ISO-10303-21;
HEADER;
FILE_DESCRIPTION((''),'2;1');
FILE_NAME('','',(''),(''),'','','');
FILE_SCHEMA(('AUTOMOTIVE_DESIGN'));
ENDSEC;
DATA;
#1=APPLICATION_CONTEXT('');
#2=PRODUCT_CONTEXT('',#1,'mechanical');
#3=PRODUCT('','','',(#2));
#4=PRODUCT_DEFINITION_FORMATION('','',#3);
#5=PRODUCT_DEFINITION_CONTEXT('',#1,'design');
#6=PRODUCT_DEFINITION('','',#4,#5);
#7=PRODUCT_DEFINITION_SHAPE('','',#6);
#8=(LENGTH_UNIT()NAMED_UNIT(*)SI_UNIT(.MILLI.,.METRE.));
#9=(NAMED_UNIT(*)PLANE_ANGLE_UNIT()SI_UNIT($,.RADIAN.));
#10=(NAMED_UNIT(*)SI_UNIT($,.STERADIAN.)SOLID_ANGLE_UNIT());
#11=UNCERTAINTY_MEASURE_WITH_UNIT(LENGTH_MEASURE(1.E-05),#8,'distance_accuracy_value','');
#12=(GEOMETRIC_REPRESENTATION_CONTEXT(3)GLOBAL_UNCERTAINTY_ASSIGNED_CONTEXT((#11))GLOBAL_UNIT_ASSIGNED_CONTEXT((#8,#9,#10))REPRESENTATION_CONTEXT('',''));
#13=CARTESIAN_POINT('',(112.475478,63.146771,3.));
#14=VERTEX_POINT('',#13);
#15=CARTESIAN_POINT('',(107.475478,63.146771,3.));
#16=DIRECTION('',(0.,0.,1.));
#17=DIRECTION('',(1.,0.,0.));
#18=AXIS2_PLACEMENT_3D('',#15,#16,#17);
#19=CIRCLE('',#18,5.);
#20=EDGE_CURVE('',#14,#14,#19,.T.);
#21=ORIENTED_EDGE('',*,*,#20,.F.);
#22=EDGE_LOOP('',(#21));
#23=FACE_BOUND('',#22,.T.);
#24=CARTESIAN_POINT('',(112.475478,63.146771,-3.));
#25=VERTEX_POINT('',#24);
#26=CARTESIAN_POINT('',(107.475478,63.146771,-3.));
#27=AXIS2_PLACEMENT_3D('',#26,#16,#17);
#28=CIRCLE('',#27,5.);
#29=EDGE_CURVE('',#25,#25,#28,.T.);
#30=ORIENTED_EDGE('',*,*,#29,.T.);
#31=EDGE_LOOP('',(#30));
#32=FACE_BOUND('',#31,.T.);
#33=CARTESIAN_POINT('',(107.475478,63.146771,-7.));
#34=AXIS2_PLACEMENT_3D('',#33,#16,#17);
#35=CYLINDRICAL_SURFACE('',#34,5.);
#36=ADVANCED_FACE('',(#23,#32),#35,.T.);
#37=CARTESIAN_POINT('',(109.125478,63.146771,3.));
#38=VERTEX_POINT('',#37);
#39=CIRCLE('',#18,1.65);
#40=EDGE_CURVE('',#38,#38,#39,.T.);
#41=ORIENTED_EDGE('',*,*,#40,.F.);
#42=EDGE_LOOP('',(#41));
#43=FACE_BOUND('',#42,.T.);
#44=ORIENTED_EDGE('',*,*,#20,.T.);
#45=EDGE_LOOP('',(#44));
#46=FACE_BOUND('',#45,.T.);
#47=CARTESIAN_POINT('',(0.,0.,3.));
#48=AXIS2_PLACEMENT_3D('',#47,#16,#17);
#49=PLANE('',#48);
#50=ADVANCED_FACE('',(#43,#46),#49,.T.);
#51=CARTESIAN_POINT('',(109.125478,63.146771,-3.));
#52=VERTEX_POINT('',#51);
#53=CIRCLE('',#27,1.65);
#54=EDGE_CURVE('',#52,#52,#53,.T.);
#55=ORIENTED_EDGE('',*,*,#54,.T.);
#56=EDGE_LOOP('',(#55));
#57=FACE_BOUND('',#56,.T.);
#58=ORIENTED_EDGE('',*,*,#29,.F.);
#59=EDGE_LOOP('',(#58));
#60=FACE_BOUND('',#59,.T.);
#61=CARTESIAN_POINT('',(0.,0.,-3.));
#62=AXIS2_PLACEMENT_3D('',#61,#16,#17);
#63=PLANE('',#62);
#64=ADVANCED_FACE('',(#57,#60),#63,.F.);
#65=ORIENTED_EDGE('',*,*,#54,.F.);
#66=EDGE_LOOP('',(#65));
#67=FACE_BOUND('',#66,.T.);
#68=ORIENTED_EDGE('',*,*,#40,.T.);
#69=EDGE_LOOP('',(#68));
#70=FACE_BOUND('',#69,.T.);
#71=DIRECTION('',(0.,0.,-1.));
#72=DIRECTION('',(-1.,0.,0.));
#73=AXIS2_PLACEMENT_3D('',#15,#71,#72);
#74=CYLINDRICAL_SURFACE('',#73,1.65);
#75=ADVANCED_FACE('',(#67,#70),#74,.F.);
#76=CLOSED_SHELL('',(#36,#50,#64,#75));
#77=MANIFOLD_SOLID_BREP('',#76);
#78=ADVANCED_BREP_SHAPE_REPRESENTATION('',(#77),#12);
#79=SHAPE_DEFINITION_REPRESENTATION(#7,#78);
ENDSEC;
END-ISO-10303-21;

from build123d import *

# Parameters (mm, degrees)
SKETCH_1_R          = 1.65
EXTRUDE_1_DEPTH     = 3
FILLET_1_R          = 4
FILLET_2_R          = 2
SKETCH_2_R          = 32.383706152
SKETCH_2_R_2        = 5
CUT_EXTRUDE_1_DEPTH = 10


with BuildPart() as part:
    # ｽｹｯﾁ1 → ﾎﾞｽ - 押し出し1 (new, symmetric)
    with BuildSketch(Plane.XY):
        Polygon((103.035796932, 67.586451292), (103.035796932, 78.476037139), (111.915158488, 78.476037139), (111.915158488, 67.586451292), (122.804744336, 67.586451292), (122.804744336, 58.707089735), (111.915158488, 58.707089735), (111.915158488, 47.817503888), (103.035796932, 47.817503888), (103.035796932, 58.707089735), (92.146211085, 58.707089735), (92.146211085, 67.586451292), align=None)
        with Locations((107.47547771, 63.146770513)):
            Circle(SKETCH_1_R, mode=Mode.SUBTRACT)
    extrude(amount=EXTRUDE_1_DEPTH, both=True)

    # ﾌｨﾚｯﾄ1
    fillet_1_edges = [part.edges().sort_by_distance(p)[0] for p in [
        (122.804744336, 67.586451292, 0),
        (111.915158488, 47.817503888, 0),
        (92.146211085, 58.707089735, 0),
        (103.035796932, 78.476037139, 0),
    ]]
    fillet(fillet_1_edges, radius=FILLET_1_R)

    # ﾌｨﾚｯﾄ2
    fillet_2_edges = [part.edges().sort_by_distance(p)[0] for p in [
        (111.915158488, 67.586451292, 0),
        (111.915158488, 58.707089735, 0),
        (103.035796932, 58.707089735, 0),
        (103.035796932, 67.586451292, 0),
    ]]
    fillet(fillet_2_edges, radius=FILLET_2_R)

    # ｽｹｯﾁ2 → ｶｯﾄ - 押し出し1 (cut)
    with BuildSketch(Plane.XY.offset(3)):
        with Locations((107.47547771, 63.146770513)):
            Circle(SKETCH_2_R)
        with BuildLine():
            Line((103.035796932, 47.817503888), (107.915158488, 47.817503888))
            ThreePointArc((107.915158488, 47.817503888), (110.743585613, 48.989076763), (111.915158488, 51.817503888))
            Line((111.915158488, 51.817503888), (111.915158488, 56.707089735))
            ThreePointArc((111.915158488, 56.707089735), (112.500944926, 58.121303298), (113.915158488, 58.707089735))
            Line((113.915158488, 58.707089735), (122.804744336, 58.707089735))
            Line((122.804744336, 58.707089735), (122.804744336, 63.586451292))
            ThreePointArc((122.804744336, 63.586451292), (121.63317146, 66.414878416), (118.804744336, 67.586451292))
            Line((118.804744336, 67.586451292), (113.915158488, 67.586451292))
            ThreePointArc((113.915158488, 67.586451292), (112.500944926, 68.172237729), (111.915158488, 69.586451292))
            Line((111.915158488, 69.586451292), (111.915158488, 78.476037139))
            Line((111.915158488, 78.476037139), (107.035796932, 78.476037139))
            ThreePointArc((107.035796932, 78.476037139), (104.207369807, 77.304464263), (103.035796932, 74.476037139))
            Line((103.035796932, 74.476037139), (103.035796932, 69.586451292))
            ThreePointArc((103.035796932, 69.586451292), (102.450010495, 68.172237729), (101.035796932, 67.586451292))
            Line((101.035796932, 67.586451292), (92.146211085, 67.586451292))
            Line((92.146211085, 67.586451292), (92.146211085, 62.707089735))
            ThreePointArc((92.146211085, 62.707089735), (93.31778396, 59.87866261), (96.146211085, 58.707089735))
            Line((96.146211085, 58.707089735), (101.035796932, 58.707089735))
            ThreePointArc((101.035796932, 58.707089735), (102.450010495, 58.121303298), (103.035796932, 56.707089735))
            Line((103.035796932, 56.707089735), (103.035796932, 47.817503888))
        make_face(mode=Mode.SUBTRACT)
        with BuildLine():
            Line((103.035796932, 56.707089735), (103.035796932, 47.817503888))
            Line((103.035796932, 47.817503888), (107.915158488, 47.817503888))
            ThreePointArc((107.915158488, 47.817503888), (110.743585613, 48.989076763), (111.915158488, 51.817503888))
            Line((111.915158488, 51.817503888), (111.915158488, 56.707089735))
            ThreePointArc((111.915158488, 56.707089735), (112.500944926, 58.121303298), (113.915158488, 58.707089735))
            Line((113.915158488, 58.707089735), (122.804744336, 58.707089735))
            Line((122.804744336, 58.707089735), (122.804744336, 63.586451292))
            ThreePointArc((122.804744336, 63.586451292), (121.63317146, 66.414878416), (118.804744336, 67.586451292))
            Line((118.804744336, 67.586451292), (113.915158488, 67.586451292))
            ThreePointArc((113.915158488, 67.586451292), (112.500944926, 68.172237729), (111.915158488, 69.586451292))
            Line((111.915158488, 69.586451292), (111.915158488, 78.476037139))
            Line((111.915158488, 78.476037139), (107.035796932, 78.476037139))
            ThreePointArc((107.035796932, 78.476037139), (104.207369807, 77.304464263), (103.035796932, 74.476037139))
            Line((103.035796932, 74.476037139), (103.035796932, 69.586451292))
            ThreePointArc((103.035796932, 69.586451292), (102.450010495, 68.172237729), (101.035796932, 67.586451292))
            Line((101.035796932, 67.586451292), (92.146211085, 67.586451292))
            Line((92.146211085, 67.586451292), (92.146211085, 62.707089735))
            ThreePointArc((92.146211085, 62.707089735), (93.31778396, 59.87866261), (96.146211085, 58.707089735))
            Line((96.146211085, 58.707089735), (101.035796932, 58.707089735))
            ThreePointArc((101.035796932, 58.707089735), (102.450010495, 58.121303298), (103.035796932, 56.707089735))
        make_face()
        with Locations((107.47547771, 63.146770513)):
            Circle(SKETCH_2_R_2, mode=Mode.SUBTRACT)
    extrude(amount=-CUT_EXTRUDE_1_DEPTH, mode=Mode.SUBTRACT)


solid = part.part
